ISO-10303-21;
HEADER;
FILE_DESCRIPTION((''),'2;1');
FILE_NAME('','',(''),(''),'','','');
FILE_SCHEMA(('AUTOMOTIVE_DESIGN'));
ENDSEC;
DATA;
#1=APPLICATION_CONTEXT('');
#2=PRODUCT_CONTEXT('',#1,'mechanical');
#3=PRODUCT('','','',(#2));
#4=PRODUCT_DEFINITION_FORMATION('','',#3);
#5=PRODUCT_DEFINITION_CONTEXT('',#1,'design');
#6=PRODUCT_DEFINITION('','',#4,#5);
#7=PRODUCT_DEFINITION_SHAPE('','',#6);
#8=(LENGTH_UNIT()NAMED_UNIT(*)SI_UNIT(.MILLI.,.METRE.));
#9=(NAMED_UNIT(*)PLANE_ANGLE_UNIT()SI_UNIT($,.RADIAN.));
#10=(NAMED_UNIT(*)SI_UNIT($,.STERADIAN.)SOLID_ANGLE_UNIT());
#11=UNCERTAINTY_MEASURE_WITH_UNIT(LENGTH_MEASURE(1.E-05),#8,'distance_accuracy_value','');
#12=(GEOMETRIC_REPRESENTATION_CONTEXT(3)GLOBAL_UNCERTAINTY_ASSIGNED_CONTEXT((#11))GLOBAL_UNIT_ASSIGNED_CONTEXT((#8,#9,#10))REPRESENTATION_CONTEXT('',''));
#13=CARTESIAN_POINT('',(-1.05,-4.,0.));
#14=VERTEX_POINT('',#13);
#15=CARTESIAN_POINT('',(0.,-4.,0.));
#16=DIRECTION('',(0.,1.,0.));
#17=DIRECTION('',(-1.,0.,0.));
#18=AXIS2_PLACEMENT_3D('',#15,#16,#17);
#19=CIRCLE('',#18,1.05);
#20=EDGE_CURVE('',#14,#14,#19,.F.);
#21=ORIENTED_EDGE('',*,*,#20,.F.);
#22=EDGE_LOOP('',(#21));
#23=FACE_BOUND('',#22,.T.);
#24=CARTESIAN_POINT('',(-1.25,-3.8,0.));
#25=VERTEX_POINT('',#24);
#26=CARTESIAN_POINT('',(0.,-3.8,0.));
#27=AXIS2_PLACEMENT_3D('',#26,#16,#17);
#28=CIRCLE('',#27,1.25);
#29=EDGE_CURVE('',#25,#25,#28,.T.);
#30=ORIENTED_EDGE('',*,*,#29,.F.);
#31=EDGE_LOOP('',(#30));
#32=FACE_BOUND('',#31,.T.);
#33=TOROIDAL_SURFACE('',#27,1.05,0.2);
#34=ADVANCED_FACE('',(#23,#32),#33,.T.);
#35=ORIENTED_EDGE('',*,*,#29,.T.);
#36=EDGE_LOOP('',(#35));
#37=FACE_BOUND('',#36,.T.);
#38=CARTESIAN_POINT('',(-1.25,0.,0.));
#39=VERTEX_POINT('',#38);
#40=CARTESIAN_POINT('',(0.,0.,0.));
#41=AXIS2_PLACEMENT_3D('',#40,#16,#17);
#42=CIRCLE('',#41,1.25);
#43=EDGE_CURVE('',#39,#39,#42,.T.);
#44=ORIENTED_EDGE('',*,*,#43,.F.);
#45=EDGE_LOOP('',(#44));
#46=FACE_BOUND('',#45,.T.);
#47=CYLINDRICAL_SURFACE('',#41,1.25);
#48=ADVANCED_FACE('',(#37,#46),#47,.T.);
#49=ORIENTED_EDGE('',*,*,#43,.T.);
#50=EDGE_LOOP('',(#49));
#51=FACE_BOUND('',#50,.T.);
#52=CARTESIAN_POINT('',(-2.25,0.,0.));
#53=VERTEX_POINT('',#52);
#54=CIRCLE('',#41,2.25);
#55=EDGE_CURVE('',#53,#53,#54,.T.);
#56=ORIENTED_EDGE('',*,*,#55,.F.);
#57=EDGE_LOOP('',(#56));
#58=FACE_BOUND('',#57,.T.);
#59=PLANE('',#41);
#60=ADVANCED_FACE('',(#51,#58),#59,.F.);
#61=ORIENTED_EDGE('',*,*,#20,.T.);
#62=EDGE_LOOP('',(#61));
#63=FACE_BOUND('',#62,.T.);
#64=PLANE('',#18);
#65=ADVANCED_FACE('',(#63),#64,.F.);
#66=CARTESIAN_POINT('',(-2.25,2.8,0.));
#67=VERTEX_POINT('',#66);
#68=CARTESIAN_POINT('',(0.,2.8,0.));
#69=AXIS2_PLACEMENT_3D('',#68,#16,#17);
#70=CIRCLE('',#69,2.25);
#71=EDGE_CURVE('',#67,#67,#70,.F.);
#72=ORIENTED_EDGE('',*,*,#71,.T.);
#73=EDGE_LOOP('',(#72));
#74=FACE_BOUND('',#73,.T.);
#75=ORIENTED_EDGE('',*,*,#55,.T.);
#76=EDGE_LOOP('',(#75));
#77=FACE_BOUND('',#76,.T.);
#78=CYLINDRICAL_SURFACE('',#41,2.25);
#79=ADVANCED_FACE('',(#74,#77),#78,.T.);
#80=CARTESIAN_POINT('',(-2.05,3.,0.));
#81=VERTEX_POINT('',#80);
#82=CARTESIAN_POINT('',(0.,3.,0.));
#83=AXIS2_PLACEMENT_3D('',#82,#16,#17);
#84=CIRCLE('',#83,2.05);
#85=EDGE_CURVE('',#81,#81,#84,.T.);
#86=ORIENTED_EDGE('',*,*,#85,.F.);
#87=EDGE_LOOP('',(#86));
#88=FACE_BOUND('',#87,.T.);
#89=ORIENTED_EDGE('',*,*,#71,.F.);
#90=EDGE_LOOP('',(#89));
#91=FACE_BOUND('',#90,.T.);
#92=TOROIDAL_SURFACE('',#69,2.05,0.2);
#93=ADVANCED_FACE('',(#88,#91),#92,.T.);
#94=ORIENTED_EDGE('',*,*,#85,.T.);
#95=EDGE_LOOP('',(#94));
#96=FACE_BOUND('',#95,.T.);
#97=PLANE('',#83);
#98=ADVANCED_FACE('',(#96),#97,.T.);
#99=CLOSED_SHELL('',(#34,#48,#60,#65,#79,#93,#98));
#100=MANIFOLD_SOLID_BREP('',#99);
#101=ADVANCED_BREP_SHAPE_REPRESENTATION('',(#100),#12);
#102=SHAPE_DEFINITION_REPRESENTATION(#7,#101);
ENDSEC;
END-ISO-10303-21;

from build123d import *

# Parameters (mm, degrees)
SKETCH1_W   = 2.25
SKETCH1_H   = 3
SKETCH1_W_2 = 1.25
SKETCH1_H_2 = 4
FILLET1_R   = 0.2
FILLET2_R   = 0.2


with BuildPart() as part:
    # Sketch1 → Revolve1 (revolve)
    with BuildSketch(Plane.XY):
        with Locations((1.125, 1.5)):
            Rectangle(SKETCH1_W, SKETCH1_H)
        with Locations((0.625, -2)):
            Rectangle(SKETCH1_W_2, SKETCH1_H_2)
    revolve(axis=Axis((0, 0, 0), (0, -1, 0)))

    # Fillet1
    fillet1_edges = [part.edges().sort_by_distance(p)[0] for p in [
        (-2.25, 3, 0),
    ]]
    fillet(fillet1_edges, radius=FILLET1_R)

    # Fillet2
    fillet2_edges = [part.edges().sort_by_distance(p)[0] for p in [
        (-1.25, -4, 0),
    ]]
    fillet(fillet2_edges, radius=FILLET2_R)


solid = part.part
